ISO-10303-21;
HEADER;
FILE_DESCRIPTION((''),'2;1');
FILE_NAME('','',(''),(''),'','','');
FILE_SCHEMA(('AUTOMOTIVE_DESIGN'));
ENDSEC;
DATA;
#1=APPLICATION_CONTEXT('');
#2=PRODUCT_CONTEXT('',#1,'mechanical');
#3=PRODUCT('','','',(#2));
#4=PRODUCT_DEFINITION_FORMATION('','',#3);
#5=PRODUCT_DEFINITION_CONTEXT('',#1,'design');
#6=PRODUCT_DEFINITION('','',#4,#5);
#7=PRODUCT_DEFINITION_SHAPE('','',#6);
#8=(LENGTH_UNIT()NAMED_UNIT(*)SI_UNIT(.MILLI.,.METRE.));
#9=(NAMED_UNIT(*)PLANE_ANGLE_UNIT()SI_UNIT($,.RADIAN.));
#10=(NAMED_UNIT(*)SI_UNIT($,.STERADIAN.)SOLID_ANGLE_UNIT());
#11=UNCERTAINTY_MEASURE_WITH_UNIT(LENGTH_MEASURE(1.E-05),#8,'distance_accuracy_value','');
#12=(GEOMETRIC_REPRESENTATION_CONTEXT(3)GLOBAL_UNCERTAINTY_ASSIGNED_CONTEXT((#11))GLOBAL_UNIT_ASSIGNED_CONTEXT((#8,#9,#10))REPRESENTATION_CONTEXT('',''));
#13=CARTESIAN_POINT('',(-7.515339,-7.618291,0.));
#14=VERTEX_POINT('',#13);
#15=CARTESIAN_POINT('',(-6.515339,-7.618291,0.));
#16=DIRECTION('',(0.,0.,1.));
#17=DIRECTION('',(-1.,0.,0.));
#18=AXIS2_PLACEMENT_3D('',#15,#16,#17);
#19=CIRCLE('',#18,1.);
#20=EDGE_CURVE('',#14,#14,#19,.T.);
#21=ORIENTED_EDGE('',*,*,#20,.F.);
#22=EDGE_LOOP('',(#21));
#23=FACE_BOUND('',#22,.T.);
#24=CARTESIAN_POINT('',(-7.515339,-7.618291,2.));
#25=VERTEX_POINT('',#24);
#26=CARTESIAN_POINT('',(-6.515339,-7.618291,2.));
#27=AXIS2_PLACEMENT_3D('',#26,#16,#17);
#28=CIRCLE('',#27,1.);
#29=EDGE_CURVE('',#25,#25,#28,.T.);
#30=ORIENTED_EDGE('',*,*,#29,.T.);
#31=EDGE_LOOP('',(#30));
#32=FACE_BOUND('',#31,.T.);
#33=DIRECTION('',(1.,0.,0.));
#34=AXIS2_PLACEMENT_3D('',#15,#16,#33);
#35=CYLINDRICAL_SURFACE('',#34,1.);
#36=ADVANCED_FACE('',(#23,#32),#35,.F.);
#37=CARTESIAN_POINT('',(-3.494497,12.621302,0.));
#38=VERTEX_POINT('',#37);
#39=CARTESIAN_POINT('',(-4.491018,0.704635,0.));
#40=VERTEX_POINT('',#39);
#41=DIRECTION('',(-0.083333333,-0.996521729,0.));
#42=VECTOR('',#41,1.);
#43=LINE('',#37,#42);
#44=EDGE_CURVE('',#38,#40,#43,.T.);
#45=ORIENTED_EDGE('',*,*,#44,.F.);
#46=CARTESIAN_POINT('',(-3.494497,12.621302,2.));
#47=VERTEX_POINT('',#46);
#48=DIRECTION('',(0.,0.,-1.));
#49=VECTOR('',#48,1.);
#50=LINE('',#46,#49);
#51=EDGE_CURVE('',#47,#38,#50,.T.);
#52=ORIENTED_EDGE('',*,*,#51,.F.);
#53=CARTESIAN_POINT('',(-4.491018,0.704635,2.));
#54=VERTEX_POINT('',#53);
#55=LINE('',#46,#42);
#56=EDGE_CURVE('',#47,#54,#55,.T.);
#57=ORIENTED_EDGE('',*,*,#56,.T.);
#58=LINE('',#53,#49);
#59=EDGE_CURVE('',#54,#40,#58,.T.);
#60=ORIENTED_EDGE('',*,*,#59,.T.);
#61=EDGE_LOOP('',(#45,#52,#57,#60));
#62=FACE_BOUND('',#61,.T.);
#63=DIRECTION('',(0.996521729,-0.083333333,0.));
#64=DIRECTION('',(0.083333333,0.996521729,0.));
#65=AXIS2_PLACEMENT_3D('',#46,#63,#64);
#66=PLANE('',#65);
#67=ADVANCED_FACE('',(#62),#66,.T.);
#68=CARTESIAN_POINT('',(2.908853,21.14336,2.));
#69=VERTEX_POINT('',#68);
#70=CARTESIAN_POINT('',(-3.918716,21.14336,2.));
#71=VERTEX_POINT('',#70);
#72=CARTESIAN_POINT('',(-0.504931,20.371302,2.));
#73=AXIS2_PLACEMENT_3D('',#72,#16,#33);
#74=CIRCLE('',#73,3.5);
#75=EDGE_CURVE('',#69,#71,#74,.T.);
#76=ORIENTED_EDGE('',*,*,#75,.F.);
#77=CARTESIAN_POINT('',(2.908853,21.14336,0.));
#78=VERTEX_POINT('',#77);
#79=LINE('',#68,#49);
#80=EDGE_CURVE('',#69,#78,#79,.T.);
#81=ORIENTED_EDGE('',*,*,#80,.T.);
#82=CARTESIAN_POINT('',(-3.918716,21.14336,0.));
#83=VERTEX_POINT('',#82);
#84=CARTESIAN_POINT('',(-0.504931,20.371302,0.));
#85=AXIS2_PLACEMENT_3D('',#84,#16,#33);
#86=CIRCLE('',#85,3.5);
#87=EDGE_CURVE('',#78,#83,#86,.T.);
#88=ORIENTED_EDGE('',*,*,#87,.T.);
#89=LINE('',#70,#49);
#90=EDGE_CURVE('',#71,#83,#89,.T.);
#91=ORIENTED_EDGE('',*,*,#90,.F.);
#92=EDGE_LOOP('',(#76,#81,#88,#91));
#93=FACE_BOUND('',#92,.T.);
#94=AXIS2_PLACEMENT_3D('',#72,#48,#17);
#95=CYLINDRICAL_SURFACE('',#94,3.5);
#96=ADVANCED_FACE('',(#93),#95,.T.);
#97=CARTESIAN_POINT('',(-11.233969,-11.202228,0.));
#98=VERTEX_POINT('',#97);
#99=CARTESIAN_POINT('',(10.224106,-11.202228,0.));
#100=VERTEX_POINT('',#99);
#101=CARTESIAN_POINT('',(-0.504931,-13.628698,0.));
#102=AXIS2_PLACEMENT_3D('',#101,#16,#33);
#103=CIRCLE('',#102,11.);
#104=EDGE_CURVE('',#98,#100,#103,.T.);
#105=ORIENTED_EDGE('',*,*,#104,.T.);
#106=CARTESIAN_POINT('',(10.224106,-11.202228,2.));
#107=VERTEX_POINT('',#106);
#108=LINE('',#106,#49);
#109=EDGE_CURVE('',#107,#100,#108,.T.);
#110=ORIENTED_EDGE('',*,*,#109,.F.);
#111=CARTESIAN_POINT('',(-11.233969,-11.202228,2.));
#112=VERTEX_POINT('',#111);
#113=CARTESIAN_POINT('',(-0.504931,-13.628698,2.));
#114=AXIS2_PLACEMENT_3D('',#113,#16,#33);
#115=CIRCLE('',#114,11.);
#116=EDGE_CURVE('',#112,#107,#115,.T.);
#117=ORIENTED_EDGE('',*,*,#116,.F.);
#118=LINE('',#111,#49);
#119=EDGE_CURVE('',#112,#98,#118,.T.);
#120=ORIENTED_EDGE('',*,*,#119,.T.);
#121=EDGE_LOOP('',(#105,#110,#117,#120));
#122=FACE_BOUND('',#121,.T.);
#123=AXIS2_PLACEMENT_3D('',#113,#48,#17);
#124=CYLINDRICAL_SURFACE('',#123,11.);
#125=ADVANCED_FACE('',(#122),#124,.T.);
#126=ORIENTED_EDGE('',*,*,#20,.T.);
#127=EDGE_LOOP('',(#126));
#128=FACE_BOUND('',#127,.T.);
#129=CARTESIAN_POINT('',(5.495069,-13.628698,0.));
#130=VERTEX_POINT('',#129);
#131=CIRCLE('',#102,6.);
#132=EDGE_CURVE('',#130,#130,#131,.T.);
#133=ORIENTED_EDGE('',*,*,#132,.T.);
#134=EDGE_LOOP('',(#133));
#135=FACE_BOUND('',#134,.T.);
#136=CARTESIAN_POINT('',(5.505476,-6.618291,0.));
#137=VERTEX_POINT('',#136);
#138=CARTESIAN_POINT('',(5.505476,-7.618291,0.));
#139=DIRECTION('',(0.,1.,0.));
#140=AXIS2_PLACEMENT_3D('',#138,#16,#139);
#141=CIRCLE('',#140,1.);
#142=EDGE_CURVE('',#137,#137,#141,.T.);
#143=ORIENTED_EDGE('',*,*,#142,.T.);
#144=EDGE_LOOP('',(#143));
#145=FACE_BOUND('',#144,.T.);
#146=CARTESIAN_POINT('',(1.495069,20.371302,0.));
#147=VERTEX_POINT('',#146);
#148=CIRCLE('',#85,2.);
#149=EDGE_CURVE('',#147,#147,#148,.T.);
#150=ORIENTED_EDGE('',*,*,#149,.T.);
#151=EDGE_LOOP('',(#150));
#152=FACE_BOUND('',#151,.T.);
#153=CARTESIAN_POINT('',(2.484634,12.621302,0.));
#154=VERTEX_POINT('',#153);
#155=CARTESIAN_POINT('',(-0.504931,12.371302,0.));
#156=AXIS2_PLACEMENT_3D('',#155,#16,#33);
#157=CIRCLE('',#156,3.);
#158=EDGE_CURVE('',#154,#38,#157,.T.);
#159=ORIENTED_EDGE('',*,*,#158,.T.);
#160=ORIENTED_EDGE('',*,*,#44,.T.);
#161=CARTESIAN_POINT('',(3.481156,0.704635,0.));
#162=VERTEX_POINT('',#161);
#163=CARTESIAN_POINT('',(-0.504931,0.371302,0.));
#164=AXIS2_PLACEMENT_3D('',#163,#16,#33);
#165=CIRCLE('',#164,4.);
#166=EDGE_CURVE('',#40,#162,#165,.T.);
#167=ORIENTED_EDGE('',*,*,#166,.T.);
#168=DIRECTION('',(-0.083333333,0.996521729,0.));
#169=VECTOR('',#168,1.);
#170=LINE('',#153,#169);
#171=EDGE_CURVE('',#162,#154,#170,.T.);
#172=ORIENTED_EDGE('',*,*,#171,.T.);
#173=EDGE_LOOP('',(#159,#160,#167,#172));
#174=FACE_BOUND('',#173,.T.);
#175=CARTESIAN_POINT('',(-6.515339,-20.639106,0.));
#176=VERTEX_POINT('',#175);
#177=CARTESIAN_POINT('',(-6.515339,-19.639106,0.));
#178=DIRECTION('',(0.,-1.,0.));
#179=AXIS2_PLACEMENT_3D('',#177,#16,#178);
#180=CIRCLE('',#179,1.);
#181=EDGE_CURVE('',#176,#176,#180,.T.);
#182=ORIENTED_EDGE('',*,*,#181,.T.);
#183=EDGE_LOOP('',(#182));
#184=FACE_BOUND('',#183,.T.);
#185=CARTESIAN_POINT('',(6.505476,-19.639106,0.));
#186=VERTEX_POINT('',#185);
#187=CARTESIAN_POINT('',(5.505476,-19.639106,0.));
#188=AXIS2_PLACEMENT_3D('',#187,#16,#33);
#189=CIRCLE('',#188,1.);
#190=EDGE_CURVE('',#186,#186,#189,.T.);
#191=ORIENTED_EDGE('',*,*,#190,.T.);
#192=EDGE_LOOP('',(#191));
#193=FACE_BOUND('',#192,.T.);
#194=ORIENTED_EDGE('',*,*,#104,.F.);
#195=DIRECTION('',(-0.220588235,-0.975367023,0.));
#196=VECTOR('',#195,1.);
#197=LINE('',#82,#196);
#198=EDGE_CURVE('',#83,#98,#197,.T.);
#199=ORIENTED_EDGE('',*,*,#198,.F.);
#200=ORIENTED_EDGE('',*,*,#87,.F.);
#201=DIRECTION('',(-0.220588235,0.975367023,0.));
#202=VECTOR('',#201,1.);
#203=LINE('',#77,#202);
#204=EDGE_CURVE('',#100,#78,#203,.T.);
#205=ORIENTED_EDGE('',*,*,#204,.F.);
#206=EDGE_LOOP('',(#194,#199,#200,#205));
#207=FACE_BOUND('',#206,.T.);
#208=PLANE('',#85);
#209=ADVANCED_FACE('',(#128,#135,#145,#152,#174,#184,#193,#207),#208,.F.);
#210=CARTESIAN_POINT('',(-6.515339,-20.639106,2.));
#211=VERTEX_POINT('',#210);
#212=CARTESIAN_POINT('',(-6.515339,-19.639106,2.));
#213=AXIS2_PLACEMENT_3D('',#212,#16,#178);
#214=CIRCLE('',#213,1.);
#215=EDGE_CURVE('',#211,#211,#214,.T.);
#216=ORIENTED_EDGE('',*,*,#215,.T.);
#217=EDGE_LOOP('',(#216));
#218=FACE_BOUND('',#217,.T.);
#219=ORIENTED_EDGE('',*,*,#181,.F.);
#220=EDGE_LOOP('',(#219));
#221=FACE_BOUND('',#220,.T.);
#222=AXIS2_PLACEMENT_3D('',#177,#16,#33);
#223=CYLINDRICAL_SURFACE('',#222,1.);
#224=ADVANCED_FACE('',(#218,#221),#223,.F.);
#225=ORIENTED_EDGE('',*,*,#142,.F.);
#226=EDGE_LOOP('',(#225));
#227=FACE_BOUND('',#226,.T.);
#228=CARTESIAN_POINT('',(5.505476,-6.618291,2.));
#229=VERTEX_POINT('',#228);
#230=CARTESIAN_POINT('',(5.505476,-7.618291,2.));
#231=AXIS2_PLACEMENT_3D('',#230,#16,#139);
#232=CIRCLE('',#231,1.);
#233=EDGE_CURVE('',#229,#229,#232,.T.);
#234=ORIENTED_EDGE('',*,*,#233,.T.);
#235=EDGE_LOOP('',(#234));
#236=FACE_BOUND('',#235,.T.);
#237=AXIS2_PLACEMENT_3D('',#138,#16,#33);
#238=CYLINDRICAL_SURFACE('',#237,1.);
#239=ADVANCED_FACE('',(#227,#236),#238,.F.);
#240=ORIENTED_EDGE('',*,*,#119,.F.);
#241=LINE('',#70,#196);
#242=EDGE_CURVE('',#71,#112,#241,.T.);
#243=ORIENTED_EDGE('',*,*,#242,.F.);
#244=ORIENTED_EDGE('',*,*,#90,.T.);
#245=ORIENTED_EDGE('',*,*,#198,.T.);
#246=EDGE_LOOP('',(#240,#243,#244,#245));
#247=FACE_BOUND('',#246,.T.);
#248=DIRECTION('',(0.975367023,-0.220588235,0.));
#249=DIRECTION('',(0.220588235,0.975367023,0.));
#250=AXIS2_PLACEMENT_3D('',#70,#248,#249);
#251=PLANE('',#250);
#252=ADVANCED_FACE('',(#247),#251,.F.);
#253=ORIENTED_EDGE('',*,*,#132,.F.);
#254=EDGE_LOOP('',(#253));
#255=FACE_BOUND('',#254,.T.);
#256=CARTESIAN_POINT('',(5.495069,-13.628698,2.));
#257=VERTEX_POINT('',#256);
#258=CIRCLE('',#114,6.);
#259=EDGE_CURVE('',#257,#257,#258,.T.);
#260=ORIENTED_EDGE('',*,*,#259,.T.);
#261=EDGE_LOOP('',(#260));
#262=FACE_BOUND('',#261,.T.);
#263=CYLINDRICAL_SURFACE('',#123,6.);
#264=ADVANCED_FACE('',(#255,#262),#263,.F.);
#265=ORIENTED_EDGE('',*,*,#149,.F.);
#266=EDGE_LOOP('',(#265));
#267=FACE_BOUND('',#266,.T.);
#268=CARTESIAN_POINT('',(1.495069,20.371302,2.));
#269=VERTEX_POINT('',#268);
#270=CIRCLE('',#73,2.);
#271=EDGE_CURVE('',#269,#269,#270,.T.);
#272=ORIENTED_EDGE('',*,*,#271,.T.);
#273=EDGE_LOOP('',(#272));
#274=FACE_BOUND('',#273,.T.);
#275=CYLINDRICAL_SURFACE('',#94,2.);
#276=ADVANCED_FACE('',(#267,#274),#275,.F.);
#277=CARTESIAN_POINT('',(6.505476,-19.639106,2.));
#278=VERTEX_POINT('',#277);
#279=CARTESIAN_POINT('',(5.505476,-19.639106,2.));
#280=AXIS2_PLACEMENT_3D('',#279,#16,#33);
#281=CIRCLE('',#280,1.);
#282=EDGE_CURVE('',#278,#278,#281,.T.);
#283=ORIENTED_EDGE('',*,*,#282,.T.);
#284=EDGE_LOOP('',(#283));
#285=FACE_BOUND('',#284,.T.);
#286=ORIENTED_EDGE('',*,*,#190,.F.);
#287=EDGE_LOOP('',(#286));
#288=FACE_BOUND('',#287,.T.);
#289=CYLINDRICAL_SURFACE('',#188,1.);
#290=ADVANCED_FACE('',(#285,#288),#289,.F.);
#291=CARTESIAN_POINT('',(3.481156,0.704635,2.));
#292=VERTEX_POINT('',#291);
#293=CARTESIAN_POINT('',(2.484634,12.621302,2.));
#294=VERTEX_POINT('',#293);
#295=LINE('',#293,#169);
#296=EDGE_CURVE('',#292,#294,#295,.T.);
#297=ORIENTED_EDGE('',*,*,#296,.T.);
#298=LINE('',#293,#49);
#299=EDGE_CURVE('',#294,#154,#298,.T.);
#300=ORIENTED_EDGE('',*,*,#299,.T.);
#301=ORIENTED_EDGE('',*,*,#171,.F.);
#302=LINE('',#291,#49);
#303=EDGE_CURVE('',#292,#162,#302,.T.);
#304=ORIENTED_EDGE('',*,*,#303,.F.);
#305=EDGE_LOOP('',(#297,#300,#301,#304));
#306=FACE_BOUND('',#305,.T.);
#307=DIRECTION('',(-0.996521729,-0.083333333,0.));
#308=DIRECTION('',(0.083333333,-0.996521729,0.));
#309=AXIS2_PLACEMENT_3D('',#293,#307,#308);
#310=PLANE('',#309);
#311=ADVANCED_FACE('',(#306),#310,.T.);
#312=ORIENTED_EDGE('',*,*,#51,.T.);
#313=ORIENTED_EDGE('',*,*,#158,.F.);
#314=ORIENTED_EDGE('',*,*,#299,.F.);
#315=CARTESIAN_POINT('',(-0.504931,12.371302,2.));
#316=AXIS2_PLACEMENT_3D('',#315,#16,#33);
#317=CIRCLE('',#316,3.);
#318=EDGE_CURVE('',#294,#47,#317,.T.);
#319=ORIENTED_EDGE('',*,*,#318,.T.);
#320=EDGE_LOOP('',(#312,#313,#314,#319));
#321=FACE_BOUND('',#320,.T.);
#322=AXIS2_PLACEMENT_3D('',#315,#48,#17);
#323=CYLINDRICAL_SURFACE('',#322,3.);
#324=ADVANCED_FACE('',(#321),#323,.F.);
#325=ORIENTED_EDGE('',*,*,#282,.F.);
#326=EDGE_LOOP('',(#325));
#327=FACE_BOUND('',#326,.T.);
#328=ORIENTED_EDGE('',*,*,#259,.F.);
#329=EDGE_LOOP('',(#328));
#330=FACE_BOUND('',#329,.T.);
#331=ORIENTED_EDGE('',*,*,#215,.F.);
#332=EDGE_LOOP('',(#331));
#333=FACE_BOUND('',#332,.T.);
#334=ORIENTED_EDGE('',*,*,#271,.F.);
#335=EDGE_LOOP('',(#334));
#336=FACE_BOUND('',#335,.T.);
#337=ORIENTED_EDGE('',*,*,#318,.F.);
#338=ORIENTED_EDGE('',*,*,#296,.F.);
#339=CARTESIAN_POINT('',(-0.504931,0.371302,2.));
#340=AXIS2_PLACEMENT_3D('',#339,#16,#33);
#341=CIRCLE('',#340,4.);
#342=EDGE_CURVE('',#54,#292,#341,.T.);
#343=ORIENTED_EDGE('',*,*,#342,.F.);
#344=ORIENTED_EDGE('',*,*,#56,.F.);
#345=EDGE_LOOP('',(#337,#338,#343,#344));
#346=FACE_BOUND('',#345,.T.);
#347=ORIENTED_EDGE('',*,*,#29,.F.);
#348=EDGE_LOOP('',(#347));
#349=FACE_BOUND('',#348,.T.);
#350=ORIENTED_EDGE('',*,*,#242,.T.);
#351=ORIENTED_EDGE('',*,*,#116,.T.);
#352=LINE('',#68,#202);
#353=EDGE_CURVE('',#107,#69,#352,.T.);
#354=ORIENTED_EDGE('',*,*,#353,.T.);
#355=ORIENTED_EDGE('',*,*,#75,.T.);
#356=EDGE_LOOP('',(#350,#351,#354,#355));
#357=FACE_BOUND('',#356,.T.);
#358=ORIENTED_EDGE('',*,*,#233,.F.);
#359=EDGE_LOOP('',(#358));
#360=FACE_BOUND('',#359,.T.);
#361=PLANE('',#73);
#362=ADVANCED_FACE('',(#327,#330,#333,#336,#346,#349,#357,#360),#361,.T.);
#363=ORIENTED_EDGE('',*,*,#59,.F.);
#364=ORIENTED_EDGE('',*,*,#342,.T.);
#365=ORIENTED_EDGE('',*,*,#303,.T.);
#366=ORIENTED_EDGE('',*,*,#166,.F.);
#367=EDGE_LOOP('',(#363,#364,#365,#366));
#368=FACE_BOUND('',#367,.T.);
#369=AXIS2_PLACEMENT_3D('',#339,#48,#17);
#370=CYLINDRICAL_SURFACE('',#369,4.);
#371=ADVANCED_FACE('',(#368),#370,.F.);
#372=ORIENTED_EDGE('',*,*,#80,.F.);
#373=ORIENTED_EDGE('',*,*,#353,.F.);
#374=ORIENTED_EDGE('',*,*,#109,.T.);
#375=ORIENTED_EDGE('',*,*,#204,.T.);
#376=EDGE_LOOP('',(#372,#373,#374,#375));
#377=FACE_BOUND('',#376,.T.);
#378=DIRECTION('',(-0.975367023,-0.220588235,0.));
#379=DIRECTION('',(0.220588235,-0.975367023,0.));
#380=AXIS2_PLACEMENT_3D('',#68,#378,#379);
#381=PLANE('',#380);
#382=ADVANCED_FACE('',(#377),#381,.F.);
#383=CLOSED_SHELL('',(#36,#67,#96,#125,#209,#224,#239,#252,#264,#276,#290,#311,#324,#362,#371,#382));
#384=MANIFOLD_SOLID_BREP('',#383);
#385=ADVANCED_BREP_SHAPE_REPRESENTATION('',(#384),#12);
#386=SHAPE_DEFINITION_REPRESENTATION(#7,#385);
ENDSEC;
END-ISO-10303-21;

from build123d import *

# Parameters (mm, degrees)
SKETCH_1_R               = 6
SKETCH_1_R_2             = 2
EXTRUDE_1_DEPTH          = 2
SKETCH_2_R               = 1
CUT_EXTRUDE_2_DEPTH      = 28.256856644
PATTERN_CIRCULAR_1_COUNT = 4


with BuildPart() as part:
    # 草图1 → 凸台-拉伸1 (new body)
    with BuildSketch(Plane.XY):
        with BuildLine():
            Line((-3.918715904, 21.143360332), (-11.23396858, -11.202227903))
            ThreePointArc((-11.23396858, -11.202227903), (-0.504931322, -24.628698491), (10.224105936, -11.202227903))
            Line((10.224105936, -11.202227903), (2.90885326, 21.143360332))
            ThreePointArc((2.90885326, 21.143360332), (-0.504931322, 23.871301509), (-3.918715904, 21.143360332))
        make_face()
        with Locations((-0.504931322, -13.628698491)):
            Circle(SKETCH_1_R, mode=Mode.SUBTRACT)
        with Locations((-0.504931322, 20.371301509)):
            Circle(SKETCH_1_R_2, mode=Mode.SUBTRACT)
        with BuildLine():
            Line((-3.494496508, 12.621301509), (-4.491018236, 0.704634842))
            ThreePointArc((-4.491018236, 0.704634842), (-0.504931322, -3.628698491), (3.481155593, 0.704634842))
            Line((3.481155593, 0.704634842), (2.484633864, 12.621301509))
            ThreePointArc((2.484633864, 12.621301509), (-0.504931322, 15.371301509), (-3.494496508, 12.621301509))
        make_face(mode=Mode.SUBTRACT)
    extrude(amount=EXTRUDE_1_DEPTH)

    # 草图2 → 切除-拉伸2 (cut, through all)
    with BuildSketch(Plane.XY.offset(2)):
        with Locations((5.505476318, -19.639106131)):
            Circle(SKETCH_2_R)
    cut_extrude_2 = extrude(amount=-CUT_EXTRUDE_2_DEPTH, mode=Mode.SUBTRACT)

    # 阵列(圆周)1: 切除-拉伸2 ×4 about axis
    pattern_circular_1_axis = Axis((-0.504931322, -13.628698491, 0), (0, 0, 1))
    for i in range(1, PATTERN_CIRCULAR_1_COUNT):
        add(cut_extrude_2.rotate(pattern_circular_1_axis, i * 360 / PATTERN_CIRCULAR_1_COUNT), mode=Mode.SUBTRACT)


solid = part.part
